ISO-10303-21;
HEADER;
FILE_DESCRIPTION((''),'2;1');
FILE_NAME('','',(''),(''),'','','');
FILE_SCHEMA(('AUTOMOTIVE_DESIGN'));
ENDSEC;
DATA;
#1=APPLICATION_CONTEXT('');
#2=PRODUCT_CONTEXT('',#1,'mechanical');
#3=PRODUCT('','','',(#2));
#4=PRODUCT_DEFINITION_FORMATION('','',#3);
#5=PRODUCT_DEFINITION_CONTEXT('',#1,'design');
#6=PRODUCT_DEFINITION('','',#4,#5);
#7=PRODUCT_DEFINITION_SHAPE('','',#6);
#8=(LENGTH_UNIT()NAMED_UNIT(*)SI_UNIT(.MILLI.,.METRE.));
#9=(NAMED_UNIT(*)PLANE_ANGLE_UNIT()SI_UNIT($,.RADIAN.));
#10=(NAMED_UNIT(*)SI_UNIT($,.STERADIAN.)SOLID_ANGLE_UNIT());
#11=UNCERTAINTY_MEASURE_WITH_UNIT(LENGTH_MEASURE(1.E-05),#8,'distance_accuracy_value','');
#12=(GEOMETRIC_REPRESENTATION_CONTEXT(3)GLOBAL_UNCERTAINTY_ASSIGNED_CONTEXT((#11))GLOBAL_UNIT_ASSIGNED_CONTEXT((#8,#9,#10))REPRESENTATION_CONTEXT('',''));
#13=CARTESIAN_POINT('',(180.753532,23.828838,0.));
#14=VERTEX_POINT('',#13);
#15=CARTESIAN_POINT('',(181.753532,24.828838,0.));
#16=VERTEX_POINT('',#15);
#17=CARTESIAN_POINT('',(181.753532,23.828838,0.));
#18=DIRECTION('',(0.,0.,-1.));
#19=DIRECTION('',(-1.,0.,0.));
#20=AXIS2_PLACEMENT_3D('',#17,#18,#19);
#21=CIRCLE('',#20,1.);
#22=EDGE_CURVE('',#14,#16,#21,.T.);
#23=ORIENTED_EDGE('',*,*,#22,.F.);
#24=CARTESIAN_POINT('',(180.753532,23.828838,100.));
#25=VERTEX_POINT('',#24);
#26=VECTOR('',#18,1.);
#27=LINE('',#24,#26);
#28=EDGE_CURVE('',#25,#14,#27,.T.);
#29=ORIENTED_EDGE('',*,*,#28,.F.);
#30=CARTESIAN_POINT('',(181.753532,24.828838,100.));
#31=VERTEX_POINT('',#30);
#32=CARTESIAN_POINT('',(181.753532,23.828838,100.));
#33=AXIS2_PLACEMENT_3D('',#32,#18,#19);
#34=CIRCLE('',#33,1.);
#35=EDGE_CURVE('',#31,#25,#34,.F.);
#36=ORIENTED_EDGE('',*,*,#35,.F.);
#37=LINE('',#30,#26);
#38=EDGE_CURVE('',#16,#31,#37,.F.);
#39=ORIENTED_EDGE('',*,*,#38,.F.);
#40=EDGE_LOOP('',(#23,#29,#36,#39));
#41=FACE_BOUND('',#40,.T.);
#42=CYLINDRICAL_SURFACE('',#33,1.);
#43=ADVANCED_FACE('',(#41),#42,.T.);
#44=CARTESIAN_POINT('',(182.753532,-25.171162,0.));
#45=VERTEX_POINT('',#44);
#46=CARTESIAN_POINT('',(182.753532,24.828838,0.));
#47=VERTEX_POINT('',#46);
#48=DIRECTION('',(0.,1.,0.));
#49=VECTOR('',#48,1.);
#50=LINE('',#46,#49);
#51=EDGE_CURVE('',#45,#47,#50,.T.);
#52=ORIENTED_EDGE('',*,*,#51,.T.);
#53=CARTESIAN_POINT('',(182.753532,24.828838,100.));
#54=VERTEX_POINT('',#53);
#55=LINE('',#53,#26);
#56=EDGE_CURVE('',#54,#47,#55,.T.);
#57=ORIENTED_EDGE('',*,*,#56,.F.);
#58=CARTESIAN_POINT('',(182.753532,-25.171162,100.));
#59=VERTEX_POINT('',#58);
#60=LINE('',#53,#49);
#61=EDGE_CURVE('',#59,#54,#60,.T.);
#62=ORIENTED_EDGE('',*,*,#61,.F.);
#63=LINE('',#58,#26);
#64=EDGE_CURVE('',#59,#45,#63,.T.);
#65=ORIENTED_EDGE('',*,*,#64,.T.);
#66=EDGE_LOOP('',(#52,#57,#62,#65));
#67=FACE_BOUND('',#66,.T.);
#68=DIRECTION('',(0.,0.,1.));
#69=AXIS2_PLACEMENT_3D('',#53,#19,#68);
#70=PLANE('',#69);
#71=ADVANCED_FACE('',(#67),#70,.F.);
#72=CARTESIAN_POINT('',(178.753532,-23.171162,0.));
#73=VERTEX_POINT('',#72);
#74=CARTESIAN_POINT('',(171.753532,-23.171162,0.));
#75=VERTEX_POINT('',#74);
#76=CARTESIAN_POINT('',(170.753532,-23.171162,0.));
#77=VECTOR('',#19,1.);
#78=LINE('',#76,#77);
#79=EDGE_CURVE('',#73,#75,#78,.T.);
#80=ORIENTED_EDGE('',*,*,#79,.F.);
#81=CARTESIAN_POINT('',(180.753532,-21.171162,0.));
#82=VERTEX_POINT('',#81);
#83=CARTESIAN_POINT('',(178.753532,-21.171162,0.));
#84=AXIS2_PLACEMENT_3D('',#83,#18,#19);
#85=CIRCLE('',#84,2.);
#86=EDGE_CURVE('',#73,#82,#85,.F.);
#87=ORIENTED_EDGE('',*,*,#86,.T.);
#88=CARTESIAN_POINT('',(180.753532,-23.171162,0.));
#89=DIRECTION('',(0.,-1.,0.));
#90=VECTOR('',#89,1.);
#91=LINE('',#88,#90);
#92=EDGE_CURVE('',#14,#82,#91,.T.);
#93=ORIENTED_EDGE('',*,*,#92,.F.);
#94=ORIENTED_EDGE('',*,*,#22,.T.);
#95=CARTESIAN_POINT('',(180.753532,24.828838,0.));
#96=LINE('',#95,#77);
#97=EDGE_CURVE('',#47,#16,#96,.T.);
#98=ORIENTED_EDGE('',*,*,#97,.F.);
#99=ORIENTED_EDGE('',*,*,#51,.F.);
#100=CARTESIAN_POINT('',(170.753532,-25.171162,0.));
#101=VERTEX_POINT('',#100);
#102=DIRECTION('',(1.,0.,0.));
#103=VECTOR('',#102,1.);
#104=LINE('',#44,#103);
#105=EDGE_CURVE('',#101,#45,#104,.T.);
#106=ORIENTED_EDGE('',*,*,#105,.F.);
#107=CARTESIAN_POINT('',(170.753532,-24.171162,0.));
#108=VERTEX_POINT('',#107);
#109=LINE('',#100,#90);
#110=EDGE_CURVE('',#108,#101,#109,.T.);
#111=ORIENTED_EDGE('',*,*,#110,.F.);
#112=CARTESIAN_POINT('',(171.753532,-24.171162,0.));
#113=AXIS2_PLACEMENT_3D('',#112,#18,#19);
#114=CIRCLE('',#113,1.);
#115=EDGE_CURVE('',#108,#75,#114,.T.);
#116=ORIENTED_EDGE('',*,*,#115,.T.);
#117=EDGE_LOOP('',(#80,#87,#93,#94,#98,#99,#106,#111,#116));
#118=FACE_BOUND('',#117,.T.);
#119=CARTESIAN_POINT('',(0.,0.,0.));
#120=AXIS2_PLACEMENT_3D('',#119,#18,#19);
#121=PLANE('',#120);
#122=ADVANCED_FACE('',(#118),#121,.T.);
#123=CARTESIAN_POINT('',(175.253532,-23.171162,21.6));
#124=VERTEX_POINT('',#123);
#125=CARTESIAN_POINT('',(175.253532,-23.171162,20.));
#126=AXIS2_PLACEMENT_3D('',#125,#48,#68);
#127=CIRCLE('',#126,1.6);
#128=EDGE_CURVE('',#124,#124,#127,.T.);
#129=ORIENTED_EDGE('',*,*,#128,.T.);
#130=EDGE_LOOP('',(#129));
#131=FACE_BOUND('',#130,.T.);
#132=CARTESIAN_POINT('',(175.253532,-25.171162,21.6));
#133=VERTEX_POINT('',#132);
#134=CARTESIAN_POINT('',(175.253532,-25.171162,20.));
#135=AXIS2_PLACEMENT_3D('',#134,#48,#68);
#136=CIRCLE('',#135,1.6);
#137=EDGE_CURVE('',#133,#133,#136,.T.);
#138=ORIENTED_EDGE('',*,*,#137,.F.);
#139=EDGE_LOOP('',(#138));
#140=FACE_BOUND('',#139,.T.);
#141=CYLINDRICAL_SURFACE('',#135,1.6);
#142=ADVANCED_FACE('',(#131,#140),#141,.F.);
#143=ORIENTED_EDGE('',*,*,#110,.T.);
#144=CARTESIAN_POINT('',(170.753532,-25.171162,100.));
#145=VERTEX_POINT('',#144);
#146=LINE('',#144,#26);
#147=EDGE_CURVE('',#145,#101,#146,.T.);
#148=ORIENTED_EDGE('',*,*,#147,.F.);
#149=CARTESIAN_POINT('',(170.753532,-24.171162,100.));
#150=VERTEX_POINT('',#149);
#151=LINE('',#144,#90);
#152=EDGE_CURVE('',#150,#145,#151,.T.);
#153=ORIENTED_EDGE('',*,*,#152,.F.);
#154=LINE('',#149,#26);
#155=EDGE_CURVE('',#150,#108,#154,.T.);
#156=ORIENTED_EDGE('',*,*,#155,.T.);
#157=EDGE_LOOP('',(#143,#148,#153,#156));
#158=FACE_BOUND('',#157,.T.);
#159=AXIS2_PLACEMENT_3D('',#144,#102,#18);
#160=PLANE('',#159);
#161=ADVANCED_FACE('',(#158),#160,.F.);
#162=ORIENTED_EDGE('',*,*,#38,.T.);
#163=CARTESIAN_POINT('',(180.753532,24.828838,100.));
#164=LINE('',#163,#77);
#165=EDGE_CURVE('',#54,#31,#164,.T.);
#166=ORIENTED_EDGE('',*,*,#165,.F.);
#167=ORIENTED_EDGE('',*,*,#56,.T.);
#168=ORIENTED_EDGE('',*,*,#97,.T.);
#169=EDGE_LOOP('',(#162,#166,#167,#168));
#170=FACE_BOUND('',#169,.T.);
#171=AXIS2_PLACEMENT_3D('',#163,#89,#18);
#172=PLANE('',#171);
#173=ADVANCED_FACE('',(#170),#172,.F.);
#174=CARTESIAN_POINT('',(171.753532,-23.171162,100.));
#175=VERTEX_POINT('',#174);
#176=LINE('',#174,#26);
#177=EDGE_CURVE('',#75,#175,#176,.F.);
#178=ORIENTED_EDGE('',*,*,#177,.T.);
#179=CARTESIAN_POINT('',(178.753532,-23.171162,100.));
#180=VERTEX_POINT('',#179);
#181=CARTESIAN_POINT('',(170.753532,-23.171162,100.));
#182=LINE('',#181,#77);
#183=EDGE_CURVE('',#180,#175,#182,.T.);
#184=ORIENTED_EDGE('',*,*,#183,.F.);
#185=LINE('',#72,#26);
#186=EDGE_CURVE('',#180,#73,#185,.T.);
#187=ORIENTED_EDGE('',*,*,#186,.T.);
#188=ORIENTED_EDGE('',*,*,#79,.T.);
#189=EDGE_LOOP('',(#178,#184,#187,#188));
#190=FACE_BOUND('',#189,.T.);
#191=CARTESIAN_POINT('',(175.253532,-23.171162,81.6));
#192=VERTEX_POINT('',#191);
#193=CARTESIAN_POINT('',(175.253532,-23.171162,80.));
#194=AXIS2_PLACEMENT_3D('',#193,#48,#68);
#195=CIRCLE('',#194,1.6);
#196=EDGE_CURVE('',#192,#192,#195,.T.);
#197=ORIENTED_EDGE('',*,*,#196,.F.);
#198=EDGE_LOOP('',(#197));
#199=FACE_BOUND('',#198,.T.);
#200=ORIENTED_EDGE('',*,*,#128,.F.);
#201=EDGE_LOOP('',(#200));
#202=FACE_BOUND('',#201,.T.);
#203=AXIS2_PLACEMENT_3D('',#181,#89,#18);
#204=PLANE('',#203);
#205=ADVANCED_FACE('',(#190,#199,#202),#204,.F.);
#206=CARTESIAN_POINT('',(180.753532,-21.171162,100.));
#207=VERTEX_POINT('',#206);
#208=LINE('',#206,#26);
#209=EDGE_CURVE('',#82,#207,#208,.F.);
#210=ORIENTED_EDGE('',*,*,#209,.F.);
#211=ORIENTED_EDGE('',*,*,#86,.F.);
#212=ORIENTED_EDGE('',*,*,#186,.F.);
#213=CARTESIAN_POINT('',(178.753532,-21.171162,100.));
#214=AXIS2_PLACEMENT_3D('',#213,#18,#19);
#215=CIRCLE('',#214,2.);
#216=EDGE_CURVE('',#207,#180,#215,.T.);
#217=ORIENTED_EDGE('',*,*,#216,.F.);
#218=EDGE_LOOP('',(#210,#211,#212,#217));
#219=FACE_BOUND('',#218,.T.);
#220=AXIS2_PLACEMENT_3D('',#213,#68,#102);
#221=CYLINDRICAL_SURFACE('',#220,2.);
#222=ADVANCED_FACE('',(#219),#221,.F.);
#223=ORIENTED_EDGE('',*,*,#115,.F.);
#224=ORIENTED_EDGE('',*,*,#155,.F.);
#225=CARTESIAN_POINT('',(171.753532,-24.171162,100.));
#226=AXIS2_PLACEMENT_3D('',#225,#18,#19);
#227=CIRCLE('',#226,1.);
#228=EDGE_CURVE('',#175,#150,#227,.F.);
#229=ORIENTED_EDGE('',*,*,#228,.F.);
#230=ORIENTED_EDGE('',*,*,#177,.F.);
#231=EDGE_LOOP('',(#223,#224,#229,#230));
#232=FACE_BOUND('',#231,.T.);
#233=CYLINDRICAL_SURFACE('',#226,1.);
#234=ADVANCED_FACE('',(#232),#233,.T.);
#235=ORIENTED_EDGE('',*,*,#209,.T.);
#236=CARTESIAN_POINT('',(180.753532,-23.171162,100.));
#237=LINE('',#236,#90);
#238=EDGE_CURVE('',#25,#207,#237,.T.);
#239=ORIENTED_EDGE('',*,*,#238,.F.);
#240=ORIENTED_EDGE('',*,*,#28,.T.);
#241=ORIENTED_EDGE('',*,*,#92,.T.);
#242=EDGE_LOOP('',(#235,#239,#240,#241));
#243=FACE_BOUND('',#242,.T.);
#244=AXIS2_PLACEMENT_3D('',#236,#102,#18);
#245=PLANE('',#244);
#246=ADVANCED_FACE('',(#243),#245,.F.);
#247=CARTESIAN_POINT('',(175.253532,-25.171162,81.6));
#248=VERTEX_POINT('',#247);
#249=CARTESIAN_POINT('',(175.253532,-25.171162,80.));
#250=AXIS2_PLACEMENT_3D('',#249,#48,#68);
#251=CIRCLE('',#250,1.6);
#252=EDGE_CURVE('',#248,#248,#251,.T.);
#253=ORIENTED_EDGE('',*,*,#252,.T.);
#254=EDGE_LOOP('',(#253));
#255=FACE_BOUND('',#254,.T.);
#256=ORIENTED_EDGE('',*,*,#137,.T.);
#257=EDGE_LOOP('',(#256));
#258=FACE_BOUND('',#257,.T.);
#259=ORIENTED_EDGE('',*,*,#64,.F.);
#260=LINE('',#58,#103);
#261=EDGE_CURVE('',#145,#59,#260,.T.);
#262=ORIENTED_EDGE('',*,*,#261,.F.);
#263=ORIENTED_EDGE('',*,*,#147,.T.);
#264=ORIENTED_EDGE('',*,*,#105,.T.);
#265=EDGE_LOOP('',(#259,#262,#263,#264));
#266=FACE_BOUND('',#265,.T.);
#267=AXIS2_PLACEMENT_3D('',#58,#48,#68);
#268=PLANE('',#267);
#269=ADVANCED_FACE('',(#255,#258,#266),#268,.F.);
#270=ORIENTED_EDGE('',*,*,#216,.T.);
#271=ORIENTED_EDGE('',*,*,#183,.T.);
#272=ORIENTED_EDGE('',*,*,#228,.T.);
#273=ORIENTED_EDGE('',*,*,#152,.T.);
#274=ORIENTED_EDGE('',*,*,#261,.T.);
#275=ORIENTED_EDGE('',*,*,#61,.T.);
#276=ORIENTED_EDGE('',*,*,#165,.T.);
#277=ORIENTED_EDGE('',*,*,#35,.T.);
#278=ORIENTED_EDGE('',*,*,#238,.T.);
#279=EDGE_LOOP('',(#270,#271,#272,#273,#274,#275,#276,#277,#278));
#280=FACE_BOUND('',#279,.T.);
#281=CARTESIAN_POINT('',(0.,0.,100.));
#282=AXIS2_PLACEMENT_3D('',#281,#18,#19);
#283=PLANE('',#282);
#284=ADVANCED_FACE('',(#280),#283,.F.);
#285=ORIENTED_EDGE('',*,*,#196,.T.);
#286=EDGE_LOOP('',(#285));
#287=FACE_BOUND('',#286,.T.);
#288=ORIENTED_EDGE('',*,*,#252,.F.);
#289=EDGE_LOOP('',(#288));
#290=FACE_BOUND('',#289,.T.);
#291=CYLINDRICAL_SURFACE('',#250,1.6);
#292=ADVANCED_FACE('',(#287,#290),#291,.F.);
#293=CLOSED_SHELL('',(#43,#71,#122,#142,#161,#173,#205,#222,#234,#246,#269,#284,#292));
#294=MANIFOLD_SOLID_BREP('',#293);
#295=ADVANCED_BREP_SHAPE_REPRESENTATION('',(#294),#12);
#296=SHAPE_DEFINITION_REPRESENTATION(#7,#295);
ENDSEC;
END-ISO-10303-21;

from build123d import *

# Parameters (mm, degrees)
BOSS_EXTRUDE1_DEPTH = 100
FILLET2_R           = 1
FILLET3_R           = 2
SKETCH3_R           = 1.6
CUT_EXTRUDE1_DEPTH  = 214.782256883


with BuildPart() as part:
    # Sketch2 → Boss-Extrude1 (new body)
    with BuildSketch(Plane.XY):
        Polygon((182.753531726, 24.828838313), (182.753531726, -25.171161687), (170.753531726, -25.171161687), (170.753531726, -23.171161687), (180.753531726, -23.171161687), (180.753531726, 24.828838313), align=None)
    extrude(amount=BOSS_EXTRUDE1_DEPTH)

    # Fillet2
    fillet2_edges = [part.edges().sort_by_distance(p)[0] for p in [
        (170.753531726, -23.171161687, 50),
        (180.753531726, 24.828838313, 50),
    ]]
    fillet(fillet2_edges, radius=FILLET2_R)

    # Fillet3
    fillet3_edges = [part.edges().sort_by_distance(p)[0] for p in [
        (180.753531726, -23.171161687, 50),
    ]]
    fillet(fillet3_edges, radius=FILLET3_R)

    # Sketch3 → Cut-Extrude1 (cut, through all)
    with BuildSketch(Plane(origin=(0, -23.171161687, 0), x_dir=(1, 0, 0), z_dir=(0, 1, 0))):
        with Locations(Location((175.253531726, -80, 0), (0, 0, 270))):
            Circle(SKETCH3_R)
        with Locations(Location((175.253531726, -20, 0), (0, 0, 270))):
            Circle(SKETCH3_R)
    extrude(amount=-CUT_EXTRUDE1_DEPTH, mode=Mode.SUBTRACT)


solid = part.part
